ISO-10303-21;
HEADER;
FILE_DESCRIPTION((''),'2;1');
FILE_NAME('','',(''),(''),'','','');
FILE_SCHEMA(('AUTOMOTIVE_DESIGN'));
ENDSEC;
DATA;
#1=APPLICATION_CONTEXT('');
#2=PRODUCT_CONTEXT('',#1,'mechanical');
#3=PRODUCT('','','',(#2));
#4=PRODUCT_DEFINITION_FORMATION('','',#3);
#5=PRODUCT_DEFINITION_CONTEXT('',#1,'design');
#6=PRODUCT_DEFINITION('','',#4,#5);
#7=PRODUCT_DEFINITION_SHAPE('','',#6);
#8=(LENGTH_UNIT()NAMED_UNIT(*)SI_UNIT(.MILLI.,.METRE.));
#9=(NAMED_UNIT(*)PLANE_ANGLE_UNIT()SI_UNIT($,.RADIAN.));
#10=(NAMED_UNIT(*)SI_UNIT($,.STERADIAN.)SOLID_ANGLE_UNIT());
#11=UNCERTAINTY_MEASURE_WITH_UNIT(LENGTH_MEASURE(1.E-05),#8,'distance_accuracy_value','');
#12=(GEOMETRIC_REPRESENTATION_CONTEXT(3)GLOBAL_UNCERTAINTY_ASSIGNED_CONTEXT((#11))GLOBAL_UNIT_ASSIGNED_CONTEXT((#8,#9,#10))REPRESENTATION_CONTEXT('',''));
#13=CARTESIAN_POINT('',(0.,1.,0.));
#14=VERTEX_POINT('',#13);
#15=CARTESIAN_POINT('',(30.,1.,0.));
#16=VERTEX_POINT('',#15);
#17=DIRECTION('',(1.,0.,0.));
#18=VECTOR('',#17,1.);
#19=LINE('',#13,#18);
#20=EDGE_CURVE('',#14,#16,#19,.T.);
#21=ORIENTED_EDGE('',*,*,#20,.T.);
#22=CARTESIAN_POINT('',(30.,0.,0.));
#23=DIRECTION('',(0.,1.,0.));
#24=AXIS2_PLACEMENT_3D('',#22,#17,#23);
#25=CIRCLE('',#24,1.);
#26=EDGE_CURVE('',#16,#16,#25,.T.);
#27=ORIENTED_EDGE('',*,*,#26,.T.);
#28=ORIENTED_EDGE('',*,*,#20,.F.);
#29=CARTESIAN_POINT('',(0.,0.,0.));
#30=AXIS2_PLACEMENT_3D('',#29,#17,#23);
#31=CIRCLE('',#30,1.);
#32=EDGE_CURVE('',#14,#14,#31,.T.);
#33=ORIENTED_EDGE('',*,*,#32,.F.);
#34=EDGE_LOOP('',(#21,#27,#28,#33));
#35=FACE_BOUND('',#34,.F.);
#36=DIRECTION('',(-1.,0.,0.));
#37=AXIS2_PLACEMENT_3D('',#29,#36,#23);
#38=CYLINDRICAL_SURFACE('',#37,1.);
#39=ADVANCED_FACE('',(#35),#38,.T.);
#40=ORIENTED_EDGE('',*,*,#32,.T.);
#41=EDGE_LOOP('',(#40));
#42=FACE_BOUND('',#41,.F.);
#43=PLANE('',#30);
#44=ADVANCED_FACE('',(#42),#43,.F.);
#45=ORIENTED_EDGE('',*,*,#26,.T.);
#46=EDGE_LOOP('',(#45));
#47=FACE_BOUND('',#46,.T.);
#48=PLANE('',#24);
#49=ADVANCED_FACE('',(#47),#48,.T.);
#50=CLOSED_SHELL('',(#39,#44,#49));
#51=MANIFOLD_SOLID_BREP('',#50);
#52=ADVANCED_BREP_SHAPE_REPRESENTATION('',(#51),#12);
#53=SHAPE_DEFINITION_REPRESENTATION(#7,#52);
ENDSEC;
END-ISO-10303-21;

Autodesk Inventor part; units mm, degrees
ref_plane "YZ Plane" through (0, 0, 0) normal (1, 0, 0) x (0, 1, 0)
ref_plane "XZ Plane" through (0, 0, 0) normal (0, 1, 0) x (-1, 0, 0)
ref_plane "XY Plane" through (0, 0, 0) normal (0, 0, 1) x (1, 0, 0)
sketch "Sketch1" plane through (0, 0, 0) normal (1, 0, 0) x (0, 1, 0)
  circle A0 centre (0, 0) radius 1
  dimension "d1" = 2
extrude "Body" add sketch "Sketch1" along normal blind 30
equation "\"d1\" = NND"
equation "\"d2\" = NLG"
equation "\"NND\" = 2"
equation "\"NLG\" = 30"
properties part number "ISO 2338 - 2 h11 x 30 - C" material "Stainless Steel, Austenitic"
